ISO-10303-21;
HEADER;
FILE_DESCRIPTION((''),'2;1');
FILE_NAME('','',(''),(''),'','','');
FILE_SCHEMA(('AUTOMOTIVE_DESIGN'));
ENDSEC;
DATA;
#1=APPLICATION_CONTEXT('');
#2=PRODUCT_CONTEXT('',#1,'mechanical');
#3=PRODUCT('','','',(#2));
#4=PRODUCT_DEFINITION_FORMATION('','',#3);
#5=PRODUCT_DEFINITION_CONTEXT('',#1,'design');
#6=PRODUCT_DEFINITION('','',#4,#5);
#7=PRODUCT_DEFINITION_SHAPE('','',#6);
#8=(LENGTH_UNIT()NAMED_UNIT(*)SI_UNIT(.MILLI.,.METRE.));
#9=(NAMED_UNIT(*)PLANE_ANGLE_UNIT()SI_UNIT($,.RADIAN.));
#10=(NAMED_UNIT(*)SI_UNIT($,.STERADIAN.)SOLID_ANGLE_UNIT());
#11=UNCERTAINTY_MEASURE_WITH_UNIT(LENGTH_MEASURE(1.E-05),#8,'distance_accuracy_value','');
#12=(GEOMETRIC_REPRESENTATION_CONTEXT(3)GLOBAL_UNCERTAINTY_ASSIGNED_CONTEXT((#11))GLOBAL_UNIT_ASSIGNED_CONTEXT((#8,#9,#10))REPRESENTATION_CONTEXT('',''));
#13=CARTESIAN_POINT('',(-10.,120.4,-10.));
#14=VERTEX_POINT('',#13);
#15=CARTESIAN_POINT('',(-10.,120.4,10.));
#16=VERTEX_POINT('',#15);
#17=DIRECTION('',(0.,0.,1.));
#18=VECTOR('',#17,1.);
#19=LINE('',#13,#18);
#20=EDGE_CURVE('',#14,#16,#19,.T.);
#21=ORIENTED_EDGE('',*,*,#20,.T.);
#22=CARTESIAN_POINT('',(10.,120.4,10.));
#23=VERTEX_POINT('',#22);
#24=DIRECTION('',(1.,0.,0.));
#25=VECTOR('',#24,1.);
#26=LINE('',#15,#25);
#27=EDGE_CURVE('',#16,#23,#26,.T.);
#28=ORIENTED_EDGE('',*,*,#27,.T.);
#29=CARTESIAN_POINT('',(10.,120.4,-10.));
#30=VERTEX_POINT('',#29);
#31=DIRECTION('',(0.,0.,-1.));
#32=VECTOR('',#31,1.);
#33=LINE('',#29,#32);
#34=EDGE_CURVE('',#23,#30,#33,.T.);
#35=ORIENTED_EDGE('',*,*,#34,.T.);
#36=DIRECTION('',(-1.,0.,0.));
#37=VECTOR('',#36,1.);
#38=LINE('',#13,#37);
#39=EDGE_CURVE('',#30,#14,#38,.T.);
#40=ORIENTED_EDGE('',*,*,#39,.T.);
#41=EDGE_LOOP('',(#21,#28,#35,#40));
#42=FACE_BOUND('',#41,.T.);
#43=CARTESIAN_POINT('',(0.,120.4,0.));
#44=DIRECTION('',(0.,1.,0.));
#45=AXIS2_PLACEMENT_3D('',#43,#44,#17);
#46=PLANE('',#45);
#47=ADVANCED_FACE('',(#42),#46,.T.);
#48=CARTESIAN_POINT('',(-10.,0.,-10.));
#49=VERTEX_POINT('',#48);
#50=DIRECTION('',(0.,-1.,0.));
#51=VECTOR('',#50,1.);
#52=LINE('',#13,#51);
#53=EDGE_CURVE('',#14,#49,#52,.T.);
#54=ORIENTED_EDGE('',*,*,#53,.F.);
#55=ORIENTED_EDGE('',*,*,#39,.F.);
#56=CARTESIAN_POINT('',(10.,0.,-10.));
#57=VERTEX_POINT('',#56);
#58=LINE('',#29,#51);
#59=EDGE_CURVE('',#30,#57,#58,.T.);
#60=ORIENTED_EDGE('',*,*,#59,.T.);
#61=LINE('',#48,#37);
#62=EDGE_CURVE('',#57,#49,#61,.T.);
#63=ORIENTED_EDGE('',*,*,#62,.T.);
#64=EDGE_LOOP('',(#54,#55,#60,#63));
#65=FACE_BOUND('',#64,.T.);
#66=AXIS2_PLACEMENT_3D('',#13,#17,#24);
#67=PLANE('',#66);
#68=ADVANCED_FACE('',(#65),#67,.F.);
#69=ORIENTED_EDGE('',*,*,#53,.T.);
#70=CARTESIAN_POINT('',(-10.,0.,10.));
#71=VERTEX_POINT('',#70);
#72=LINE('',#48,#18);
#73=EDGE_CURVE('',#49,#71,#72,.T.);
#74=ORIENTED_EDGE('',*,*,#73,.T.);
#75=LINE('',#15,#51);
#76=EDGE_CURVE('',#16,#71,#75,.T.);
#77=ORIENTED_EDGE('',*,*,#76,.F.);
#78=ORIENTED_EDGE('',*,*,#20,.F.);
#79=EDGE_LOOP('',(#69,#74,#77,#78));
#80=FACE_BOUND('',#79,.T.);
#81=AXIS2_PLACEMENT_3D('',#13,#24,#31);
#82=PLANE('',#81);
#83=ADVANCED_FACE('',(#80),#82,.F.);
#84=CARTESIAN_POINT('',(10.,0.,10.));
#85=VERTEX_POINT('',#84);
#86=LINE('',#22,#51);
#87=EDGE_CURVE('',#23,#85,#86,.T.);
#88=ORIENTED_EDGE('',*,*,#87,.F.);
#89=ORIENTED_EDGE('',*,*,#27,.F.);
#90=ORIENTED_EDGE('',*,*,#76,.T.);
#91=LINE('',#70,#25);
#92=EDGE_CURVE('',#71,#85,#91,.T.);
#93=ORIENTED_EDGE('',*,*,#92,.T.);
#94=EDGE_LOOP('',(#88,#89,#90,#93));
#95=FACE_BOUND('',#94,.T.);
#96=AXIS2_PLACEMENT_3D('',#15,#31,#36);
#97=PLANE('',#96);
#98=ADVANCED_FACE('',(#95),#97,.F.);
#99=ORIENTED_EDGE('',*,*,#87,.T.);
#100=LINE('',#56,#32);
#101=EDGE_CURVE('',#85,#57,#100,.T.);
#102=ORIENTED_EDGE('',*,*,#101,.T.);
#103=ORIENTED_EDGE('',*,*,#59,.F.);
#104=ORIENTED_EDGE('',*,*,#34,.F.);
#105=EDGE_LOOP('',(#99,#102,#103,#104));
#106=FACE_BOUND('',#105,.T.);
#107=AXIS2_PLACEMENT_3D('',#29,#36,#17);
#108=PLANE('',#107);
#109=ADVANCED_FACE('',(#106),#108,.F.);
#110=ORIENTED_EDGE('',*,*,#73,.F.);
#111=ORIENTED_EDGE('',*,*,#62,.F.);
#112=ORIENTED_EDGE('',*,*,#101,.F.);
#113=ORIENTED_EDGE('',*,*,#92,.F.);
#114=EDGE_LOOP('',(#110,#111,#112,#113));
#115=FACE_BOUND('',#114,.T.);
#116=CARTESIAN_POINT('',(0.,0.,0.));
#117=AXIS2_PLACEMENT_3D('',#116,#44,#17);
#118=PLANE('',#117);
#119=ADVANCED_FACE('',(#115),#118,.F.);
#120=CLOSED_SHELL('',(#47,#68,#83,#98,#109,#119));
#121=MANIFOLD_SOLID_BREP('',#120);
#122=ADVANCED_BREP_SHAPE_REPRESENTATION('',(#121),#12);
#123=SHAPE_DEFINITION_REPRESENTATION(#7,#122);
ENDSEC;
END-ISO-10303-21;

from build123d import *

# Parameters (mm, degrees)
SKETCH_1_W      = 20
SKETCH_1_H      = 20
EXTRUDE_1_DEPTH = 120.4


with BuildPart() as part:
    # 草图1 → 凸台-拉伸1 (new body)
    with BuildSketch(Plane(origin=(0, 0, 0), x_dir=(1, 0, 0), z_dir=(0, 1, 0))):
        Rectangle(SKETCH_1_W, SKETCH_1_H)
    extrude(amount=EXTRUDE_1_DEPTH)


solid = part.part
